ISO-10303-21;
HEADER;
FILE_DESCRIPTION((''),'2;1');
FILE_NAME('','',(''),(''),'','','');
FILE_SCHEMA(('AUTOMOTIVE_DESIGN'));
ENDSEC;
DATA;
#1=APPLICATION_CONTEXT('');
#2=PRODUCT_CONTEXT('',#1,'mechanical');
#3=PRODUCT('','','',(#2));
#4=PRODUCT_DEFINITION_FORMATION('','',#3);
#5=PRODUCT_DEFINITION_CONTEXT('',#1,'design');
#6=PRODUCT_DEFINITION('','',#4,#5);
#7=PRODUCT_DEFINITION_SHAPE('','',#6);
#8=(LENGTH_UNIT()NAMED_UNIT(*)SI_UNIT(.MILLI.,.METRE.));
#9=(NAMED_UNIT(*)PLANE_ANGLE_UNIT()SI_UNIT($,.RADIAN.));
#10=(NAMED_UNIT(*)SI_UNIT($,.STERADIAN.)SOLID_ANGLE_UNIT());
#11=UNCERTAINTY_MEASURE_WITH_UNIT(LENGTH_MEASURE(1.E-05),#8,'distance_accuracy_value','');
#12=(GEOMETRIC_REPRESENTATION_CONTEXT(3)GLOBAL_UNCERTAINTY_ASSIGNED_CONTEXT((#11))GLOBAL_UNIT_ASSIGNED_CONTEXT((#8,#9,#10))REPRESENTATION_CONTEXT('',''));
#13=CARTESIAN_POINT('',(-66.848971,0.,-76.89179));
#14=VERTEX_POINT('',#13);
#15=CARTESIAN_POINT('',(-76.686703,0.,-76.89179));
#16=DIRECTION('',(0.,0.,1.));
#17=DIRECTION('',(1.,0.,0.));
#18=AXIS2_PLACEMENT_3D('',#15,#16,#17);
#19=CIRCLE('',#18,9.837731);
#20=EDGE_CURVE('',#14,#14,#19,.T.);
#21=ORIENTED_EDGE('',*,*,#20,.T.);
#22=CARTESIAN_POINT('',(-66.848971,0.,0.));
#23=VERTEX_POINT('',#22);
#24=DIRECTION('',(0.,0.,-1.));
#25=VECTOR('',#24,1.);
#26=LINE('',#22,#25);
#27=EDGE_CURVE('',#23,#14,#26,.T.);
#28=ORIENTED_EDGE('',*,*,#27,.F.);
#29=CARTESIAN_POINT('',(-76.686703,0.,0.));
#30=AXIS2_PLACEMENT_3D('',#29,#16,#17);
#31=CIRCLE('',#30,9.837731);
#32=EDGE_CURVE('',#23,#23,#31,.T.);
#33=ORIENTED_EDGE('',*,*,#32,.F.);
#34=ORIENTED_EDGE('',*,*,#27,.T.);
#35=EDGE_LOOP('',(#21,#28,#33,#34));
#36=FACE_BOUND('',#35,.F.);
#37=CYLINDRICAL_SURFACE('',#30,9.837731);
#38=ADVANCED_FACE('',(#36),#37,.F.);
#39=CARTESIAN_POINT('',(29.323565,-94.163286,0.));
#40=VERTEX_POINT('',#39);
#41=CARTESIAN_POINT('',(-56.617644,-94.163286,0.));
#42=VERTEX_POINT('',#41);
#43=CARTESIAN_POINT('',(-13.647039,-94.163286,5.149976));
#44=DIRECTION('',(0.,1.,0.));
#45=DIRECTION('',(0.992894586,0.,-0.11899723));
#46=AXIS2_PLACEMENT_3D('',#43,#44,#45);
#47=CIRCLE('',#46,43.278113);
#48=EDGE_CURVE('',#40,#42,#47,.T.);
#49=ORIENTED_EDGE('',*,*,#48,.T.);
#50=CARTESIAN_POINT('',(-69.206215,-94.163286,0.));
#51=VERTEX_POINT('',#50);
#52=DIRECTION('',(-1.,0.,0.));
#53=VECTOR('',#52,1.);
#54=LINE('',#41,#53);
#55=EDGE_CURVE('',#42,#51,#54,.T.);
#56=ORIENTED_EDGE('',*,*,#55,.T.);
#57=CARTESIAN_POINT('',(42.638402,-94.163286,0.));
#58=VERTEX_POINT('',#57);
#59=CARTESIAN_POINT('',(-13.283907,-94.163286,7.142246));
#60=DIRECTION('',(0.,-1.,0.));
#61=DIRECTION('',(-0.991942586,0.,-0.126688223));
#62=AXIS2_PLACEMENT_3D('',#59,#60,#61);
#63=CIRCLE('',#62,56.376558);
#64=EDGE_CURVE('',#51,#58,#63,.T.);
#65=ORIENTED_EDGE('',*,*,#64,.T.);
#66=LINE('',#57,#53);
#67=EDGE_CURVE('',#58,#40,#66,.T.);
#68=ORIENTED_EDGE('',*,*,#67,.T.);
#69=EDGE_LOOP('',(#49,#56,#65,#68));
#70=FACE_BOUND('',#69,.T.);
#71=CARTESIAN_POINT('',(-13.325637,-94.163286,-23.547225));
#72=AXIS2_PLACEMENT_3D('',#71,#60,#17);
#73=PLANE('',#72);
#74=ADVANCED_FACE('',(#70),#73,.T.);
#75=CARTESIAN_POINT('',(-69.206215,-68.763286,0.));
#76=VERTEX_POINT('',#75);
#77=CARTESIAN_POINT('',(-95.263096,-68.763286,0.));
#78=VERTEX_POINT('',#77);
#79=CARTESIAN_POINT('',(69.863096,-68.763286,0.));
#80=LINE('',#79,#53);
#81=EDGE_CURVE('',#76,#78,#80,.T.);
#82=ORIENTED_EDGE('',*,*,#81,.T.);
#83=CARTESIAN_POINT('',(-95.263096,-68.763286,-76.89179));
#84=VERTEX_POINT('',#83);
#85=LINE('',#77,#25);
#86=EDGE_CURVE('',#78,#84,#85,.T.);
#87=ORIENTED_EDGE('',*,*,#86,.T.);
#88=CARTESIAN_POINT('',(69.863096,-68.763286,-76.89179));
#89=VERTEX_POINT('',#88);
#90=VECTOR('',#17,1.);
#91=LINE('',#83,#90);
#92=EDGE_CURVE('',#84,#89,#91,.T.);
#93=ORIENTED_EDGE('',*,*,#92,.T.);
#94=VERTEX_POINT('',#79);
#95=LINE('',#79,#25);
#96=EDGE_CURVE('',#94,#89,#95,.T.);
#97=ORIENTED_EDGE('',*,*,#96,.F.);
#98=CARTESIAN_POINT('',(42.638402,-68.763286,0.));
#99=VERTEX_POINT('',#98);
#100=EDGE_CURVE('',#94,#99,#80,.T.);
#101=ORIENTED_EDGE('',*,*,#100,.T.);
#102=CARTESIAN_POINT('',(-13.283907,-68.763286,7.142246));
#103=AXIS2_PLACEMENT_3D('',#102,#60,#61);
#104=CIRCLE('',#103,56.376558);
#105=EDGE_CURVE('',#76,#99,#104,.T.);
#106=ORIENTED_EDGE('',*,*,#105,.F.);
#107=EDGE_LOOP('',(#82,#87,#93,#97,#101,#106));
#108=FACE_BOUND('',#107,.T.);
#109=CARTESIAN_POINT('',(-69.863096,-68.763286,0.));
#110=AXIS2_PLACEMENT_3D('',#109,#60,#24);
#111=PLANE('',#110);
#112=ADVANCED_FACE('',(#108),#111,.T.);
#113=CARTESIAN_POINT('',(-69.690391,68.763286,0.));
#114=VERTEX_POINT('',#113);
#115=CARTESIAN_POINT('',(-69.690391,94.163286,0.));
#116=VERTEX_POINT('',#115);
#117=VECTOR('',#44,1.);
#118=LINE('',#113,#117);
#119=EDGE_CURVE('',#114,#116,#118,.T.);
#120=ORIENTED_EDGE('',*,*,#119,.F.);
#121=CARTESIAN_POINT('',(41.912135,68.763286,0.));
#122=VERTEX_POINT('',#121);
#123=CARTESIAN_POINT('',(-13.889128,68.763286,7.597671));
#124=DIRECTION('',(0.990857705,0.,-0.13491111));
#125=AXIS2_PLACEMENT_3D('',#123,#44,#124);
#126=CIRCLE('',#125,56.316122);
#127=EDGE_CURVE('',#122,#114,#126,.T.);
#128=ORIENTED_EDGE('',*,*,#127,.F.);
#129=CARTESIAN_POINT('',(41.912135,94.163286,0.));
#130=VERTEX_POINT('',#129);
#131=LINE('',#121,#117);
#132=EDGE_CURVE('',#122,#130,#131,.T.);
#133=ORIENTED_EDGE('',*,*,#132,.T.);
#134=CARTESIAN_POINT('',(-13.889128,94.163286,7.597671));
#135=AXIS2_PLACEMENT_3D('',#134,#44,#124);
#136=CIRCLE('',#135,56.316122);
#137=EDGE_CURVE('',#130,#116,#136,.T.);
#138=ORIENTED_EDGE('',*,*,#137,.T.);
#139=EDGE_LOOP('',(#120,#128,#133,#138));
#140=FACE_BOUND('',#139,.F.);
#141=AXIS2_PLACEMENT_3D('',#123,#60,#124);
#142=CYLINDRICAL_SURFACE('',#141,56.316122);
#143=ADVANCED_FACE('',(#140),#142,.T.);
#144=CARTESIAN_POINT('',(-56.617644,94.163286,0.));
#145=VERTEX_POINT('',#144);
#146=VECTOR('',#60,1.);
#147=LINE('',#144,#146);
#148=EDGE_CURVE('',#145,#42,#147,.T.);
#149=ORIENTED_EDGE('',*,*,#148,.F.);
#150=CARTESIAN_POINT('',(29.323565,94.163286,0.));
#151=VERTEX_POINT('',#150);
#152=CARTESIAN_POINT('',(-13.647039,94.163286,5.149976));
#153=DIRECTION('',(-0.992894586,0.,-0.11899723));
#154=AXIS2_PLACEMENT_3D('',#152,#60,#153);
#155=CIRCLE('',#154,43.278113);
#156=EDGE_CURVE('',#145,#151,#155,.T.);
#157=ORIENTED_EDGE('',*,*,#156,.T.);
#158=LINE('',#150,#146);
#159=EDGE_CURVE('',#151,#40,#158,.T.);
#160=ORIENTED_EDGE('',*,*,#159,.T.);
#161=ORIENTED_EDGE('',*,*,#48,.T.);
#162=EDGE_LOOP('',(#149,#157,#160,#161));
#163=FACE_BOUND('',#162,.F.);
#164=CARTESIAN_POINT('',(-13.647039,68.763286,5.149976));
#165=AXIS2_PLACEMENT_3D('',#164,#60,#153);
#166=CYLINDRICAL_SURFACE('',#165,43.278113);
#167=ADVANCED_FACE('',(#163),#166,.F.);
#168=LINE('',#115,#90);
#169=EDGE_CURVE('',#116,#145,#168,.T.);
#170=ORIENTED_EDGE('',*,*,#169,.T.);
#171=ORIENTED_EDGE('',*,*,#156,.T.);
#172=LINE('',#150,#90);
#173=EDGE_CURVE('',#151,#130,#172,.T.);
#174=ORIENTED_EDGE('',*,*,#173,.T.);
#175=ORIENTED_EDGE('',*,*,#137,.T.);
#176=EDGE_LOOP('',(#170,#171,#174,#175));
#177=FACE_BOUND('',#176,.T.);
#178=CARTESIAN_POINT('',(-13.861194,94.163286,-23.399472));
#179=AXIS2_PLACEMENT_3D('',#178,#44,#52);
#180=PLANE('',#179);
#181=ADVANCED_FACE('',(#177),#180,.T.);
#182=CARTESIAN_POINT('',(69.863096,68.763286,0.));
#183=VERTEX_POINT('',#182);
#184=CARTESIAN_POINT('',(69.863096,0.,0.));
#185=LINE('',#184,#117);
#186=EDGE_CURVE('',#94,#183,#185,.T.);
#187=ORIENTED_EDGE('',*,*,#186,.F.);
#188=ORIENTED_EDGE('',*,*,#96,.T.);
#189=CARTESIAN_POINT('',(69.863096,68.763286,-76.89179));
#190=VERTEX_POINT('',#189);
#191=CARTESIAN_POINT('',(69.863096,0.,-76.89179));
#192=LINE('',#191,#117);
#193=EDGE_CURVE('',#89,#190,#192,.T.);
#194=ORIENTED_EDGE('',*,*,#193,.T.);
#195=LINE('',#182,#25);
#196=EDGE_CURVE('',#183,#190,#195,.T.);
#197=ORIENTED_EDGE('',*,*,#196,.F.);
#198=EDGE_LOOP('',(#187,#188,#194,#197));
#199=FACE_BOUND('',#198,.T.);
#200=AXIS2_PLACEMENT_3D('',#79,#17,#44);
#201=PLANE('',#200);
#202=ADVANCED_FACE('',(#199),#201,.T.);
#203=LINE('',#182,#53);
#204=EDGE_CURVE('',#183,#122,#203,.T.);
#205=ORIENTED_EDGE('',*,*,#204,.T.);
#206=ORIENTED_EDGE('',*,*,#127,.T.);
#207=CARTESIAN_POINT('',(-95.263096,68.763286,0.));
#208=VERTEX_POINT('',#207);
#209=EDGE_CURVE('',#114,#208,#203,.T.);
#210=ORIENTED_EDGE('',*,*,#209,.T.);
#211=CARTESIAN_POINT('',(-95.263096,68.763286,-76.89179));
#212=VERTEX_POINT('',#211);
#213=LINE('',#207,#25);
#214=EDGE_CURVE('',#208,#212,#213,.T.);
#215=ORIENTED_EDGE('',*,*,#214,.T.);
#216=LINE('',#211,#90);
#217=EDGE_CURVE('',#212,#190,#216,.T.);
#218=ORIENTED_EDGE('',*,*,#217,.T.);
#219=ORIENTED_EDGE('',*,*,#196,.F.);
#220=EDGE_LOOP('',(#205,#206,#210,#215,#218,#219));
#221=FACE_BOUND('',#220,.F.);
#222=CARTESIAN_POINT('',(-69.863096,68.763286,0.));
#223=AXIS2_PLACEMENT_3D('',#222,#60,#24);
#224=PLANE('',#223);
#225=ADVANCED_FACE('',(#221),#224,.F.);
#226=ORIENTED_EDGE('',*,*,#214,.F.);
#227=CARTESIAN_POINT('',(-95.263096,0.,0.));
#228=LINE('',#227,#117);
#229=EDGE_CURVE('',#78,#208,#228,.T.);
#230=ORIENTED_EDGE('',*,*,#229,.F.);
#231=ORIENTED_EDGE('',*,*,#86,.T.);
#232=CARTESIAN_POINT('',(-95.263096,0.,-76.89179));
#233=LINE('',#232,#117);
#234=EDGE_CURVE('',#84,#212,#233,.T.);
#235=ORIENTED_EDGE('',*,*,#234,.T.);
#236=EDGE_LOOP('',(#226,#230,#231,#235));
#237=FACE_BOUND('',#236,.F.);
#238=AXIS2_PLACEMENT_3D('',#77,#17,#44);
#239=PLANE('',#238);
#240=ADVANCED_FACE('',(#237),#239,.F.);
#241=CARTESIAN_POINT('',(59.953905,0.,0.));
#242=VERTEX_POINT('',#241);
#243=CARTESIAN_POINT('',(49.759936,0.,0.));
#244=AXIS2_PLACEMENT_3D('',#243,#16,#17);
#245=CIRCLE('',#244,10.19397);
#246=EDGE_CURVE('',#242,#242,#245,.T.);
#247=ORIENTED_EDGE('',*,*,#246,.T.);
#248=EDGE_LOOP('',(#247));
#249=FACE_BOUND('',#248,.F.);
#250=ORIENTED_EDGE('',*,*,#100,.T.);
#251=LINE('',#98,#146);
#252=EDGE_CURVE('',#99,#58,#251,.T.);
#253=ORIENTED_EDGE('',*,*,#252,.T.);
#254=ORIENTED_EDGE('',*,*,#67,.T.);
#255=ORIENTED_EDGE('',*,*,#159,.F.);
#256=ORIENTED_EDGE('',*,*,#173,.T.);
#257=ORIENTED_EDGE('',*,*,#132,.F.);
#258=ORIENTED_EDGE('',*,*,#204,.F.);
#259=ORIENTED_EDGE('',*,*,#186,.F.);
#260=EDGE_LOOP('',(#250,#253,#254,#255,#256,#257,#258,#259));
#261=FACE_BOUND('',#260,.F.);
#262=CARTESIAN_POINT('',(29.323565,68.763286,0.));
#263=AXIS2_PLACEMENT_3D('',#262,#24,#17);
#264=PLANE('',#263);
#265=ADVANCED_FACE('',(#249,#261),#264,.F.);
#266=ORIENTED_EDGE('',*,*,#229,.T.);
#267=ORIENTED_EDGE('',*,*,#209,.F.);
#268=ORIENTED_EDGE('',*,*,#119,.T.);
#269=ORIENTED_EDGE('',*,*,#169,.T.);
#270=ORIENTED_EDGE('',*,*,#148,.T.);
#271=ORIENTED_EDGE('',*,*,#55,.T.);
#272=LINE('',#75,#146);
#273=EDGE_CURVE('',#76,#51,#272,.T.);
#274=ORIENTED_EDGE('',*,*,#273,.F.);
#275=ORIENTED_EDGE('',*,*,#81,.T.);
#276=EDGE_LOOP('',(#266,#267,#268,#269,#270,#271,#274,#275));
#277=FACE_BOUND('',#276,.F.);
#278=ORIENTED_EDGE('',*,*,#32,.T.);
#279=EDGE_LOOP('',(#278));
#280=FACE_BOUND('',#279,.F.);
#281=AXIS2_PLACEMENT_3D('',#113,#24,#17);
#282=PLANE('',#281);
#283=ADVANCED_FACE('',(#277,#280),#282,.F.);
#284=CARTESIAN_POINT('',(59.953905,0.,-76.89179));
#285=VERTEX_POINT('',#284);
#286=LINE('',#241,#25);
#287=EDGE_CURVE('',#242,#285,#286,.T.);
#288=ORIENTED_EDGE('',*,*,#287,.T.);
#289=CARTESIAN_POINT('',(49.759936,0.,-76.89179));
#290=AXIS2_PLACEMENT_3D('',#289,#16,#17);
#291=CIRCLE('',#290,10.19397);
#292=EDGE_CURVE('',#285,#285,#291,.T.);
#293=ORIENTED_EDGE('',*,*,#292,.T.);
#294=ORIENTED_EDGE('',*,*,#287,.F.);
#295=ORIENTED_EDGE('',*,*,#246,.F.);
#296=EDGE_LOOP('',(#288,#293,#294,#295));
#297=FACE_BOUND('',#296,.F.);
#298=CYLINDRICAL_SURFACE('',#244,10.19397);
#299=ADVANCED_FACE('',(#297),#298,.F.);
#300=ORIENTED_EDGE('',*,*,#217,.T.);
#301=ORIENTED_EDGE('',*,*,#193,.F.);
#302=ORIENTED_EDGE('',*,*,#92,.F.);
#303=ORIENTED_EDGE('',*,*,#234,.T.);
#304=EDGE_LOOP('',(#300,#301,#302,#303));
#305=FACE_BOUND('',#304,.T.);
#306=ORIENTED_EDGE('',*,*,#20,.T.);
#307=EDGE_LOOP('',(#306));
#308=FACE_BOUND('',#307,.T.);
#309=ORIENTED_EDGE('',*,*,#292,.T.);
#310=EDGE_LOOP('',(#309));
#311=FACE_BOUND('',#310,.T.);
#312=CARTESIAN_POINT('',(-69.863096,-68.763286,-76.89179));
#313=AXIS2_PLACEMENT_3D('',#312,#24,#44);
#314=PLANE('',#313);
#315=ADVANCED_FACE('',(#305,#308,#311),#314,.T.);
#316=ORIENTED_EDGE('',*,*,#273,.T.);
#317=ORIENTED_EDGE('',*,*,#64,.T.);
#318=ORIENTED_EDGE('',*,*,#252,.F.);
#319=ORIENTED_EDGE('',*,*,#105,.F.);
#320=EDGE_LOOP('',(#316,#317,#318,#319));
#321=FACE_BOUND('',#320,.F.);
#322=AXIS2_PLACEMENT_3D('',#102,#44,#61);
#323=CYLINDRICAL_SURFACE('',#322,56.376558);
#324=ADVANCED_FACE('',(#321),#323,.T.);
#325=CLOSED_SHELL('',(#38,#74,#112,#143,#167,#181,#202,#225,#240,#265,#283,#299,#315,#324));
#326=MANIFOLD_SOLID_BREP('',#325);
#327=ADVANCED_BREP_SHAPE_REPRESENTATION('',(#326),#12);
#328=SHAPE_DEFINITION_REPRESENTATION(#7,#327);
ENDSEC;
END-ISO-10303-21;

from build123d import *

# Parameters (mm, degrees)
F0_W      = 69.8630958796
F0_H      = 137.5265717506
F1_DEPTH  = 76.89179
F2_DEPTH  = 25.4
F3_DEPTH  = 25.4
F5_DEPTH  = 1676.4
F6_DEPTH  = 25.4
F8_DEPTH  = 25.4
F9_R      = 9.8377312504
F9_R_2    = 10.1939695419
F10_DEPTH = 2514.6


with BuildPart() as f1:
    # F0 (on Top) → F1 (new body)
    with BuildSketch(Plane.XY):
        with Locations((-34.9315479398, 0)):
            Rectangle(F0_W, F0_H)
        with Locations((34.9315479398, 0)):
            Rectangle(F0_W, F0_H)
    extrude(amount=-F1_DEPTH)

    # F2 (add): a face of the model
    f2_faces = [f1.faces().sort_by_distance(p)[0] for p in [
        (-69.8630958796, 0, -38.445895),
    ]]
    extrude(f2_faces, amount=-F2_DEPTH)

    # F3 (add): a face of the model
    f3_faces = [f1.faces().sort_by_distance(p)[0] for p in [
        (-69.8630958796, 0, -38.445895),
    ]]
    extrude(f3_faces, amount=F3_DEPTH)

    # F4 (on face) → F5 (cut)
    with BuildSketch(Plane.XZ.offset(68.7632858753)):
        with BuildLine():
            Line((29.3235648423, 0), (-56.6176436841, 0))
            ThreePointArc((-56.6176436841, 0), (-13.6470394209, -38.1281375917), (29.3235648423, 0))
        make_face()
    extrude(amount=-F5_DEPTH, mode=Mode.SUBTRACT)

    # F4 (on face) → F6 (join)
    with BuildSketch(Plane.XZ.offset(68.7632858753)):
        with BuildLine():
            Line((-56.6176436841, 0), (-69.2062154412, 0))
            ThreePointArc((-69.2062154412, 0), (-13.2839065045, -49.2343121992), (42.6384024322, 0))
            Line((42.6384024322, 0), (29.3235648423, 0))
            ThreePointArc((29.3235648423, 0), (-13.6470394209, -38.1281375917), (-56.6176436841, 0))
        make_face()
    extrude(amount=F6_DEPTH)

    # F7 (on face) → F8 (join)
    with BuildSketch(Plane(origin=(0, 68.7632858753, 0), x_dir=(-1, 0, 0), z_dir=(0, 1, 0))):
        with BuildLine():
            Line((-29.3235648423, 0), (-41.9121347368, 0))
            ThreePointArc((-41.9121347368, 0), (13.8891283423, -48.718451151), (69.6903914213, 0))
            Line((69.6903914213, 0), (56.6176436841, 0))
            ThreePointArc((56.6176436841, 0), (13.6470394209, -38.1281375917), (-29.3235648423, 0))
        make_face()
    extrude(amount=F8_DEPTH)

    # F9 (on face) → F10 (cut)
    with BuildSketch(Plane.XY):
        with Locations((-76.6867026687, 0)):
            Circle(F9_R)
        with Locations((49.7599355876, 0)):
            Circle(F9_R_2)
    extrude(amount=-F10_DEPTH, mode=Mode.SUBTRACT)


solid = f1.part
